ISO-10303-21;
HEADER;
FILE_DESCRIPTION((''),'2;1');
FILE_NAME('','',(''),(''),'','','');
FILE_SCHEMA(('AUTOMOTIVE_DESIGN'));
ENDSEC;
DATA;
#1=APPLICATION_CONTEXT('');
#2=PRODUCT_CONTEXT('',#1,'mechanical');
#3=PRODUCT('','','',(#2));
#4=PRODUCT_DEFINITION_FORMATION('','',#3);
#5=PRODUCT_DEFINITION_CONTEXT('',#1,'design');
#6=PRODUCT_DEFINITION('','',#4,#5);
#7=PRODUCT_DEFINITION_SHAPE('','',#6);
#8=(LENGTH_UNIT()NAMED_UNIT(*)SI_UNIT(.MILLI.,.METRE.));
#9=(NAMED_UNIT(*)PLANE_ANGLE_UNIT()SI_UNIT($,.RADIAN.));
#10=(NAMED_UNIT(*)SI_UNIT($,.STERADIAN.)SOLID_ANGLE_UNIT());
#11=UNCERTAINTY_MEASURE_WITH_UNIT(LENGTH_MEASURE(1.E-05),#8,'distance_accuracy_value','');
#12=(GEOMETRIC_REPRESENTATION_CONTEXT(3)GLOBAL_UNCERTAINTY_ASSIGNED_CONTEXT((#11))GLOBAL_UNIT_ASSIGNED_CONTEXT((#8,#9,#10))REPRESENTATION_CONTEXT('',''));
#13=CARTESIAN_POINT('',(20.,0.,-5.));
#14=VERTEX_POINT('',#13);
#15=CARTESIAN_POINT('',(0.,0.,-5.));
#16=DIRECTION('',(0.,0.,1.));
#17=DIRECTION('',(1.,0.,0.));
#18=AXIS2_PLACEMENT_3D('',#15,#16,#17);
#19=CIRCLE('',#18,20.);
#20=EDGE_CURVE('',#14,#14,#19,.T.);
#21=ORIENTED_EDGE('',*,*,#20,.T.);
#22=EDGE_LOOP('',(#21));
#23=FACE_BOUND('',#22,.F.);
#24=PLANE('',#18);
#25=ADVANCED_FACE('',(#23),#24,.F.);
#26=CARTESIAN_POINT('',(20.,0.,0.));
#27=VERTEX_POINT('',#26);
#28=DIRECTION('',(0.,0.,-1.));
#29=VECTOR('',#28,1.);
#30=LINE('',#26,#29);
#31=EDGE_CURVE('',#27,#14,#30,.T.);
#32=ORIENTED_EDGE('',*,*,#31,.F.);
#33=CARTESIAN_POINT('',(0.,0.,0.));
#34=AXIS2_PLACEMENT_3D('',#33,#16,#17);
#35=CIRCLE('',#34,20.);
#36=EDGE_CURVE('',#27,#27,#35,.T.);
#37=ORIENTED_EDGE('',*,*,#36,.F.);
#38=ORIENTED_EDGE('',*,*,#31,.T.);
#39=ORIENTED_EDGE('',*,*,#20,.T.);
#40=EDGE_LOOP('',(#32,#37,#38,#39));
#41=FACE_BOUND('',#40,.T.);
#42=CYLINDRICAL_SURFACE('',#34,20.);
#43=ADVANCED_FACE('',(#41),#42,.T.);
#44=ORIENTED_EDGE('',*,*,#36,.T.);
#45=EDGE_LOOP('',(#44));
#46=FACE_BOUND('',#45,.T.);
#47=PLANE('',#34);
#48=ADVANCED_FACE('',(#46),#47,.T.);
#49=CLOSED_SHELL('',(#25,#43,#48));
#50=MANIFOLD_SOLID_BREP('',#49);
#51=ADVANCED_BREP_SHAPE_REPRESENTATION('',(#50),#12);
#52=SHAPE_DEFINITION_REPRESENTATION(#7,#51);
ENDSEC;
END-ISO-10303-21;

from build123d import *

# Parameters (mm, degrees)
SKETCH1_R           = 20
BOSS_EXTRUDE1_DEPTH = 5


with BuildPart() as part:
    # Sketch1 → Boss-Extrude1 (new body)
    with BuildSketch(Plane.XY):
        Circle(SKETCH1_R)
    extrude(amount=-BOSS_EXTRUDE1_DEPTH)


solid = part.part
